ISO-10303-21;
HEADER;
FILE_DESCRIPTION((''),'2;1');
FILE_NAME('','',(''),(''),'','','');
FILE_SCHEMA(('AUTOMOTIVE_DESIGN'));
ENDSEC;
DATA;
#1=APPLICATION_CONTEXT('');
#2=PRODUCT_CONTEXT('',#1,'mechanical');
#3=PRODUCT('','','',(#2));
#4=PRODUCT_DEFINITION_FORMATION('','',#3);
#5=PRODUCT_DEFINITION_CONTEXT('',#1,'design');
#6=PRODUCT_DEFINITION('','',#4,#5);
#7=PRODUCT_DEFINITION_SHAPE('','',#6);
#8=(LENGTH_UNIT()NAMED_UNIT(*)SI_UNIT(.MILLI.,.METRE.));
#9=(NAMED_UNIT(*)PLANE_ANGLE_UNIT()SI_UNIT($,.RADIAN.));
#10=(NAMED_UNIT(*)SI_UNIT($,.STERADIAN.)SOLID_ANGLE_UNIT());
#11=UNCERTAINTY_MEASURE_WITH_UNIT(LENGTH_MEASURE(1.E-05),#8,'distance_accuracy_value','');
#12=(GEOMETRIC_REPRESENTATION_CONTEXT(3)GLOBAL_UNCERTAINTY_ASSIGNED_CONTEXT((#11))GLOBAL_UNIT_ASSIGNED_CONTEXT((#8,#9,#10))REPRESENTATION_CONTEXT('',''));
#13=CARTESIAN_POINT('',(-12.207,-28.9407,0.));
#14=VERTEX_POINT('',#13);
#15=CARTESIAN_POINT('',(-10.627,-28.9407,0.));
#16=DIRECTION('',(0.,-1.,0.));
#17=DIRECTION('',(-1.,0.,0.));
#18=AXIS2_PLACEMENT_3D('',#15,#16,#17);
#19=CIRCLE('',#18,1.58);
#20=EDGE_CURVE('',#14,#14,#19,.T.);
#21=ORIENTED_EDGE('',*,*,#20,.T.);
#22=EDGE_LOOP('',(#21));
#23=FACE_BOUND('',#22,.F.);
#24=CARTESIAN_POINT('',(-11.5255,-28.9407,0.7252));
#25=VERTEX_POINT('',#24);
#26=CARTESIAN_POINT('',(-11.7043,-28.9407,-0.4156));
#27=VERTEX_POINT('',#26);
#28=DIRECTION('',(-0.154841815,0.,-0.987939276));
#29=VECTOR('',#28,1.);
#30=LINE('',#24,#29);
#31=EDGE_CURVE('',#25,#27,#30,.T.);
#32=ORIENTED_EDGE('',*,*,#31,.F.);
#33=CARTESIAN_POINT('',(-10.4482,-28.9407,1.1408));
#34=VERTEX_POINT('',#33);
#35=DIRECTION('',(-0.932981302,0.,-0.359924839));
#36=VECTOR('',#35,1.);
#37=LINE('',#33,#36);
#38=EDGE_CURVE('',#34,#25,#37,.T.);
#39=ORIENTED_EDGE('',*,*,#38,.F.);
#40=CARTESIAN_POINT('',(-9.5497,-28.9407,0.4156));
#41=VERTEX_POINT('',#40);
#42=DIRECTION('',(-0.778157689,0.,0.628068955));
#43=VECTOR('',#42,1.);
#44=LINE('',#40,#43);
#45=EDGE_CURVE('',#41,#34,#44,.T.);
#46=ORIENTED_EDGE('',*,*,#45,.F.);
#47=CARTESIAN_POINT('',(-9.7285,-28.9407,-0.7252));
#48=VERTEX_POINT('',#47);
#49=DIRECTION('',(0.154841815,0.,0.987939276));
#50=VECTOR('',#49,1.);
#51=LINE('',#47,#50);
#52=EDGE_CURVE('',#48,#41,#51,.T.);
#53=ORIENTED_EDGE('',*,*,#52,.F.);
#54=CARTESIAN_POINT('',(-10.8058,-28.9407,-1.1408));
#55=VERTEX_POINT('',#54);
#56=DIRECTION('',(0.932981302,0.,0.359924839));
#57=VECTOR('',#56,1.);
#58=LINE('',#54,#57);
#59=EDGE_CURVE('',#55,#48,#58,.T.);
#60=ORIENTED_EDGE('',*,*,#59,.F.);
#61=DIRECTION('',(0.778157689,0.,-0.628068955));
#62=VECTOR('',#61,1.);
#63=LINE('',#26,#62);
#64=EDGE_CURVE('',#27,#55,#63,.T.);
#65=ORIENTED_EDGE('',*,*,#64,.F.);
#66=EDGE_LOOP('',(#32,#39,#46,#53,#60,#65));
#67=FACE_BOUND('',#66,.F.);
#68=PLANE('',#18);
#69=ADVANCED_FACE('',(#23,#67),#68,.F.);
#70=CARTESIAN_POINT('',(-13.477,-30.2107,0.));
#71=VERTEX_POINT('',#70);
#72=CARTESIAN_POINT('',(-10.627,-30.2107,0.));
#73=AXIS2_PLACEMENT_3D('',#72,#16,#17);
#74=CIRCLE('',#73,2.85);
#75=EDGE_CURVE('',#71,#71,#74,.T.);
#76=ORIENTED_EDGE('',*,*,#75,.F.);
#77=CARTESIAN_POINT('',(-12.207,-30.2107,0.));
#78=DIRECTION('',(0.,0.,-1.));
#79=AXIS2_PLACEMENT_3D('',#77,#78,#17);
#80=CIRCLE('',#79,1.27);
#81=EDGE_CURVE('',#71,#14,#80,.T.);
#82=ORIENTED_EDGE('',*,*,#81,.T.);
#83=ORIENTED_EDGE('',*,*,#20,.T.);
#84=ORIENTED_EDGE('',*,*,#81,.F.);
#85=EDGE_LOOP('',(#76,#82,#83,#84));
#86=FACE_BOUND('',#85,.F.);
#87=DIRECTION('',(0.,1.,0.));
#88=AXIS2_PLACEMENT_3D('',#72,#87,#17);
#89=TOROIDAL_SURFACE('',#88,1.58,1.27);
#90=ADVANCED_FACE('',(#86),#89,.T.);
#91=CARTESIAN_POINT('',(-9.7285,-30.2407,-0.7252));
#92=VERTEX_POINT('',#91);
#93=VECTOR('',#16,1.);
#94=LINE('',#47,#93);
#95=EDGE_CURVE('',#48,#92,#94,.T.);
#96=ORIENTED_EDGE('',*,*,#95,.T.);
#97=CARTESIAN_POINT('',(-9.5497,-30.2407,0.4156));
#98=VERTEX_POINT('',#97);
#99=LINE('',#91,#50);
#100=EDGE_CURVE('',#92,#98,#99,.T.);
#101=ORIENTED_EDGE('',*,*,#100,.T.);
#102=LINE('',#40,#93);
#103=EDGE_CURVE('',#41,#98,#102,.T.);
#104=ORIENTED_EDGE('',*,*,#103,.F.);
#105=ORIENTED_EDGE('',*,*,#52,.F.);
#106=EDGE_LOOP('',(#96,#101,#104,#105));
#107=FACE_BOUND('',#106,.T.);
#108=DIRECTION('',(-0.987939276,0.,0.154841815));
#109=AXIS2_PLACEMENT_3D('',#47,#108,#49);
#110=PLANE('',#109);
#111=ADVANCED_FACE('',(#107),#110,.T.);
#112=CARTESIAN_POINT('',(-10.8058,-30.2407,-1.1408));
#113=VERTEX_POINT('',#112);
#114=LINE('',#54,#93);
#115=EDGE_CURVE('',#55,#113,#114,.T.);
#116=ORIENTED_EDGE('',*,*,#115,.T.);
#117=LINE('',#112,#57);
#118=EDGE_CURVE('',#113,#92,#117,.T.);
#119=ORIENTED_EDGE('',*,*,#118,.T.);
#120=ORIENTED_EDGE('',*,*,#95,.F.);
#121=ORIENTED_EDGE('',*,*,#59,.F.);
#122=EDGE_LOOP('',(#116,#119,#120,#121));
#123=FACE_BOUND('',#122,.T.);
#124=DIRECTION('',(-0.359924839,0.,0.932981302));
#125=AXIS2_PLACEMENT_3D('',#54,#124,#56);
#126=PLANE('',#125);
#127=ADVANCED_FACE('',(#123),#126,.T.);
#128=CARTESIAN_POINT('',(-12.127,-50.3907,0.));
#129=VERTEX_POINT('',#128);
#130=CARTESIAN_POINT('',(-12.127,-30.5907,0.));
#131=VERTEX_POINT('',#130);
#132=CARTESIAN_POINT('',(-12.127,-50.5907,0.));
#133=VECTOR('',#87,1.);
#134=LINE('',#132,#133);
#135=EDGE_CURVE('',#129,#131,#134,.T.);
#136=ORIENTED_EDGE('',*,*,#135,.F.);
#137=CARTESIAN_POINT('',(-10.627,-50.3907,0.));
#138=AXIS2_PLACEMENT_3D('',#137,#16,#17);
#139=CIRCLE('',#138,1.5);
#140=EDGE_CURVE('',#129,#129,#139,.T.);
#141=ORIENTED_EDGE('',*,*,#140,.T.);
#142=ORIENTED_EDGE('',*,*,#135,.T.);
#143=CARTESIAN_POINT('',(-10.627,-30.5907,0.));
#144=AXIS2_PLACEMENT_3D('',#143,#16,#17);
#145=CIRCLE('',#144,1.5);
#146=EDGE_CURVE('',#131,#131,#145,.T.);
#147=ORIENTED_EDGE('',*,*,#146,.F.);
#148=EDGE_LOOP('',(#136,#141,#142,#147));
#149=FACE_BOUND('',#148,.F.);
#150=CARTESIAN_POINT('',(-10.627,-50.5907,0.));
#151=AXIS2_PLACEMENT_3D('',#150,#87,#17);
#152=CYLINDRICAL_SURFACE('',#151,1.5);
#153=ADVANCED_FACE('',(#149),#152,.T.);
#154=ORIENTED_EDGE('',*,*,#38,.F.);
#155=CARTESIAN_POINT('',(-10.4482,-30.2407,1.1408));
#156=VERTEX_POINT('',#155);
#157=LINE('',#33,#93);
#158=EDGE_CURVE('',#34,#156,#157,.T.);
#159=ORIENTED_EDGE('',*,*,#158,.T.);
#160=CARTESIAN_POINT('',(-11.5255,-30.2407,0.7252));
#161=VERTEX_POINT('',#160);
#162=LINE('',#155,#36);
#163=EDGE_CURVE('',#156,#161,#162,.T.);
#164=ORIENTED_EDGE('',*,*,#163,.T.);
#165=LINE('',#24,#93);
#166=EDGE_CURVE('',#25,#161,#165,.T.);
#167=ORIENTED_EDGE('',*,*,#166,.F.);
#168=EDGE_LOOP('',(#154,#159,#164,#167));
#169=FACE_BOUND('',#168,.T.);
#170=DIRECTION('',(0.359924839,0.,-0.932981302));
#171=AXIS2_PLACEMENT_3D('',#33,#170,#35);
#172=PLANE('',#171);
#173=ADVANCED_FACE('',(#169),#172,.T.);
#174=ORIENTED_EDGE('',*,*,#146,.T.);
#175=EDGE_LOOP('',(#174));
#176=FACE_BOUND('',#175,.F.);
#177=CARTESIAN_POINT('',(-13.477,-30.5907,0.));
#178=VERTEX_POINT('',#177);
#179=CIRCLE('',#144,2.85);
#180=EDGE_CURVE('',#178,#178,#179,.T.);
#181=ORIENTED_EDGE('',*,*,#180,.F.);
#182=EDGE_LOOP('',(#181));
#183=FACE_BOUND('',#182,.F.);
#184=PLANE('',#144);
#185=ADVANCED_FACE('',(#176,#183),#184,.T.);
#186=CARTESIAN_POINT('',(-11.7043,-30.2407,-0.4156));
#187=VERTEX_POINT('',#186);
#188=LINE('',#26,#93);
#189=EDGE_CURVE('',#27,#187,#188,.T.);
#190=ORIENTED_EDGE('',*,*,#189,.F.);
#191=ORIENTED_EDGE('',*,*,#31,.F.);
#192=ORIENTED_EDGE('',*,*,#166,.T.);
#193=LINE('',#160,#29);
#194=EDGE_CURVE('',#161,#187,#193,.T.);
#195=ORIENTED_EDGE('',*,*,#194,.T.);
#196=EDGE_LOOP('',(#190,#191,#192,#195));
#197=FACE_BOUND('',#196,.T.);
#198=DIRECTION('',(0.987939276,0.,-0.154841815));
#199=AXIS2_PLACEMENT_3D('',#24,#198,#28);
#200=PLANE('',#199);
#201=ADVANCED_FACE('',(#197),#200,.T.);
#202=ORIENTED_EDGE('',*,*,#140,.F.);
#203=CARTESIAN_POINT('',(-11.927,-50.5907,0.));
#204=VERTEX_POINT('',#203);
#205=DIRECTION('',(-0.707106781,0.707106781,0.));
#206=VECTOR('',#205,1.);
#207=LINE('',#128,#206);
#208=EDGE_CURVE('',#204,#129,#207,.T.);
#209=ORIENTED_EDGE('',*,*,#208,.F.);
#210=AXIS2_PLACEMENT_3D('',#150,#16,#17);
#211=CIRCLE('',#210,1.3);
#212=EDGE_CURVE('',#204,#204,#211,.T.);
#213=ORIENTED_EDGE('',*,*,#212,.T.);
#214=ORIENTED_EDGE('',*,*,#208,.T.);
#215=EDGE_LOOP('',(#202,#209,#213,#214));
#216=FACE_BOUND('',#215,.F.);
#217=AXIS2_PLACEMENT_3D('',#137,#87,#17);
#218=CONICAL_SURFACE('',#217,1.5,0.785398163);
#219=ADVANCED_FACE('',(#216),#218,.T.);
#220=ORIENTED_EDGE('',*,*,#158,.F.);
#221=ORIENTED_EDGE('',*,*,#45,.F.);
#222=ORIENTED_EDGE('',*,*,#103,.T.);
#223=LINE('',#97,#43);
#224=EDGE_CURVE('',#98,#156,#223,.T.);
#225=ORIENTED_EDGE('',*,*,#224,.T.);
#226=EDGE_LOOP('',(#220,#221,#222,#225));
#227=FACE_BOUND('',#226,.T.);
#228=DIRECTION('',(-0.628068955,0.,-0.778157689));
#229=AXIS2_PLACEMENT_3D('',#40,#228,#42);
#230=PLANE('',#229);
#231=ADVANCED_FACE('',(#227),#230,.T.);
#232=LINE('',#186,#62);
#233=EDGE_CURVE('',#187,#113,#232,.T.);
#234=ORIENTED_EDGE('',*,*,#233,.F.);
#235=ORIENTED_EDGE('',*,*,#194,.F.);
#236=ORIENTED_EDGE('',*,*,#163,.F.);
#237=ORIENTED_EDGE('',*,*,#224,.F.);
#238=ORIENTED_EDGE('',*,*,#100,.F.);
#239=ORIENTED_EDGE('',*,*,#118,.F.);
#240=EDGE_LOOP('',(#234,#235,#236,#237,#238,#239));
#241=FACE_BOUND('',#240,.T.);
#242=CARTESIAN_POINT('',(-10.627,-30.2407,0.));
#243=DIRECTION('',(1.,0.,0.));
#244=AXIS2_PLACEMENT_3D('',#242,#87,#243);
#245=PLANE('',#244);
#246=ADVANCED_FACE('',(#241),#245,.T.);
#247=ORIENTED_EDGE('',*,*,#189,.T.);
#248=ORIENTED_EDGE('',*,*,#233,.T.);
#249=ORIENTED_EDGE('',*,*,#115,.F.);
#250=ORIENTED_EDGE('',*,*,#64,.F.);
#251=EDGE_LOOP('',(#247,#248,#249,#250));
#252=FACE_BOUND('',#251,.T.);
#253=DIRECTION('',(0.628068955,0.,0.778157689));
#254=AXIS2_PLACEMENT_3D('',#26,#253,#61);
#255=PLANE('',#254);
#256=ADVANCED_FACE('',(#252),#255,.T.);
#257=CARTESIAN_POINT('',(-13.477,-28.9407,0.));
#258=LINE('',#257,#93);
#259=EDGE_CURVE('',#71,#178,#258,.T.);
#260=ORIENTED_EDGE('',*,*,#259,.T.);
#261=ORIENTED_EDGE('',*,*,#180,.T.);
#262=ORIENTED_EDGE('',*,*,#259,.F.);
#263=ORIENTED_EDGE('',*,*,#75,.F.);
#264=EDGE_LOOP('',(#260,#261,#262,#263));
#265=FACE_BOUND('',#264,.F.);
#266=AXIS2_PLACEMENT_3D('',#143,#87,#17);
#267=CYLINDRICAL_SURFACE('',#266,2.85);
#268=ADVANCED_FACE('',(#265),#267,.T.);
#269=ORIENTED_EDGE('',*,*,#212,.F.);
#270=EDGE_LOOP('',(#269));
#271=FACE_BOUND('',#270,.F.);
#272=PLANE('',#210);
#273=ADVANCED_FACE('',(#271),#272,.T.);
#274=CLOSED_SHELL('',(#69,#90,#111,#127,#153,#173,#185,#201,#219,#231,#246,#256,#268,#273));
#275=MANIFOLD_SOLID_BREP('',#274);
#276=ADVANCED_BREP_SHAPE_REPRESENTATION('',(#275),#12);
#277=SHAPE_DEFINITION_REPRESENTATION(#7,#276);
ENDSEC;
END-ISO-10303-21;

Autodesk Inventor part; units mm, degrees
ref_plane "YZ Plane" through (0, 0, 0) normal (1, 0, 0) x (0, 1, 0)
ref_plane "XZ Plane" through (0, 0, 0) normal (0, 1, 0) x (-1, 0, 0)
ref_plane "XY Plane" through (0, 0, 0) normal (0, 0, 1) x (1, 0, 0)
sketch "Sketch1" plane through (0, 0, 0) normal (0, 0, 1) x (1, 0, 0)
  line L0 (-10.627, -30.5907) -> (-13.477, -30.5907)
  line L1 (-10.627, -30.5907) -> (-10.627, -50.5907)
  line L2 (-10.627, -50.5907) -> (-12.127, -50.5907)
  line L3 (-12.127, -50.5907) -> (-12.127, -30.5907)
  line L4 (-10.627, -30.5907) -> (-10.627, -26.5988)
  line L5 (-13.477, -30.5907) -> (-13.477, -30.2107)
  line L6 (-13.477, -30.2107) -> (-13.477, -28.9407)
  line L7 (-13.477, -28.9407) -> (-10.627, -28.9407)
  dimension "d0" = 2.85
  dimension "d2" = 20
  dimension "d3" = 1.5
  dimension "d18" = 0.38
  dimension "d19" = 1.65
revolve "Revolution1" add sketch "Sketch1" angle 360 about axis through (-10.627, -30.5907, 0) along (0, -1, 0)
chamfer "Chamfer2" distance 0.2 angle 45 1 edges at (-9.127, -50.5907, 0)
fillet "Empalme2" radius 1.27 1 edges at (-7.777, -28.9407, 0)
sketch "Boceto2" plane through (-10.627, -28.9407, 0) normal (0, 1, 0) x (1, 0, 0)
  line L0 (0.8985, 0.7252) -> (1.0773, -0.4156)
  line L1 (1.0773, -0.4156) -> (0.1788, -1.1408)
  line L2 (0.1788, -1.1408) -> (-0.8985, -0.7252)
  line L3 (-0.8985, -0.7252) -> (-1.0773, 0.4156)
  line L4 (-1.0773, 0.4156) -> (-0.1788, 1.1408)
  line L5 (-0.1788, 1.1408) -> (0.8985, 0.7252)
  point P0 (10.627, 0)
  point P1 (0, 0)
  dimension "d21" = 2
extrude "Extrusión1" cut sketch "Boceto2" against normal blind 1.3
thread "Rosca2" size "M3x0.5" class "6g" standard "ISO Metric profile" length 430
properties part number "Tornillo Allen cabeeza botón M3x20mm"
